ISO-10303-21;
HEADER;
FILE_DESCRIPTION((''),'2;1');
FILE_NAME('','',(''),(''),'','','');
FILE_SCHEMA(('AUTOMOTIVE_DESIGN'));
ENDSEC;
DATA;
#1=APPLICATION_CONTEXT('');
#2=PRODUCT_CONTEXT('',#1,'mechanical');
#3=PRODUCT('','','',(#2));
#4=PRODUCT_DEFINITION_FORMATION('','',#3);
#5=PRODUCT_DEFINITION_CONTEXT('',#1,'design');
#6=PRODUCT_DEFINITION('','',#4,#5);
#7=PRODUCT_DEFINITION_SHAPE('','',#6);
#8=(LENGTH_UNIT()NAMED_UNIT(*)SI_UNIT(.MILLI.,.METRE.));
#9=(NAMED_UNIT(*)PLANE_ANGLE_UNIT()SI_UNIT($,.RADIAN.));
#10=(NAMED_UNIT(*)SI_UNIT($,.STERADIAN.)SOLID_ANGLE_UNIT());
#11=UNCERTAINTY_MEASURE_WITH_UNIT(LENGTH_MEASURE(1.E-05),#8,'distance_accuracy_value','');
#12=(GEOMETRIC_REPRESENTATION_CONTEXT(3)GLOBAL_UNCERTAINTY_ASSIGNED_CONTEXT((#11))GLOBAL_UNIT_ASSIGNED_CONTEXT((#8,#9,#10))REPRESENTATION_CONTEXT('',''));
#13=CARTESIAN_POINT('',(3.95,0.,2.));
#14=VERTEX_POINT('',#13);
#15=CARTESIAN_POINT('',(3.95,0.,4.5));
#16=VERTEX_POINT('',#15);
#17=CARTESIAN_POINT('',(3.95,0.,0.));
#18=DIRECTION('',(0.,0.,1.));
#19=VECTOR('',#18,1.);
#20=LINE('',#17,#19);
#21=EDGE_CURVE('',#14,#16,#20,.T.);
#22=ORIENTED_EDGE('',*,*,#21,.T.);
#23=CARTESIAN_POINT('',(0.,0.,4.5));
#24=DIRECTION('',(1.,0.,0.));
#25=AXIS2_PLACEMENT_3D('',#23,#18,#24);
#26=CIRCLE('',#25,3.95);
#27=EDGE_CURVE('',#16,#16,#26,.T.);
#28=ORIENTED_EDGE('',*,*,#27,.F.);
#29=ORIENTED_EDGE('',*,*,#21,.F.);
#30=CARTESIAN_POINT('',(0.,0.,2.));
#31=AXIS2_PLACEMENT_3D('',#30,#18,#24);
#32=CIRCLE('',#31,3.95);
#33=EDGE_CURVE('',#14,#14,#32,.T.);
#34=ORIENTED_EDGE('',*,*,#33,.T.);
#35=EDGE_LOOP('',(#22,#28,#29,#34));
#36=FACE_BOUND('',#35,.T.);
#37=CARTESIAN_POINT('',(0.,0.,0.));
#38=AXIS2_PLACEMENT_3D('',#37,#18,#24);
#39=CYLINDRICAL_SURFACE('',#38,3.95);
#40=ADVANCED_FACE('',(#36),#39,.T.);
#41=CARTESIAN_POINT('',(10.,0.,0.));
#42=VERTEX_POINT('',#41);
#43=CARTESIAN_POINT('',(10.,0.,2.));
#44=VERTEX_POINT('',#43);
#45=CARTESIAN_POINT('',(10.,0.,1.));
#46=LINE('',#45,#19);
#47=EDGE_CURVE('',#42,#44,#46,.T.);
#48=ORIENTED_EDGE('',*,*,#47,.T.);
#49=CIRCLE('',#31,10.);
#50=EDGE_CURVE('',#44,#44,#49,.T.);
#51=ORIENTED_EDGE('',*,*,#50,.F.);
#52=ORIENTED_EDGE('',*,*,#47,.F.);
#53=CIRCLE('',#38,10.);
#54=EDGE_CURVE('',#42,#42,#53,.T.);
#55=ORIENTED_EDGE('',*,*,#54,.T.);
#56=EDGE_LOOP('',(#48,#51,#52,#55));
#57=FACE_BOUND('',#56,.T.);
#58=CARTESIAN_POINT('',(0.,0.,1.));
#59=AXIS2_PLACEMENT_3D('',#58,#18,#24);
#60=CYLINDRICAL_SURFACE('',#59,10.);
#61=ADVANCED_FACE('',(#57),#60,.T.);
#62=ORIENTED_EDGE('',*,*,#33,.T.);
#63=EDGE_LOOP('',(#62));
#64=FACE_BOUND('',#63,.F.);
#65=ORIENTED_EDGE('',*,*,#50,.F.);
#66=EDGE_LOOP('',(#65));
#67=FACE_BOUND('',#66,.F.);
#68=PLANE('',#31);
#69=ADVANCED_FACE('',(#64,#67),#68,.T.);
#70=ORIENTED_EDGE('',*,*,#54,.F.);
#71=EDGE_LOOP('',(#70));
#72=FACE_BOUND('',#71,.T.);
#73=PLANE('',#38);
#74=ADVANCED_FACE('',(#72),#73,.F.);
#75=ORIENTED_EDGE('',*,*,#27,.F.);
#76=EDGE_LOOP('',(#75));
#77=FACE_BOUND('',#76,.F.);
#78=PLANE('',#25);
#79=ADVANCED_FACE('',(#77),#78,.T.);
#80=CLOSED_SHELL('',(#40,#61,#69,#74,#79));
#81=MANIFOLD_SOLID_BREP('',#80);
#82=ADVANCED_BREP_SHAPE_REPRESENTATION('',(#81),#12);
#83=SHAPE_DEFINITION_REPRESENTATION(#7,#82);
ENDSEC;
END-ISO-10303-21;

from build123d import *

# Parameters (mm, degrees)
F0_W   = 3.95
F0_H   = 2.5
F0_H_2 = 2
F0_W_2 = 6.05


with BuildPart() as f1:
    # F0 (on Front) → F1 (revolve)
    with BuildSketch(Plane.XZ):
        with Locations((1.975, 3.25)):
            Rectangle(F0_W, F0_H)
        with Locations((1.975, 1)):
            Rectangle(F0_W, F0_H_2)
        with Locations((6.975, 1)):
            Rectangle(F0_W_2, F0_H_2)
    revolve(axis=Axis((0, 0, 2.25), (0, 0, 1)))


solid = f1.part
